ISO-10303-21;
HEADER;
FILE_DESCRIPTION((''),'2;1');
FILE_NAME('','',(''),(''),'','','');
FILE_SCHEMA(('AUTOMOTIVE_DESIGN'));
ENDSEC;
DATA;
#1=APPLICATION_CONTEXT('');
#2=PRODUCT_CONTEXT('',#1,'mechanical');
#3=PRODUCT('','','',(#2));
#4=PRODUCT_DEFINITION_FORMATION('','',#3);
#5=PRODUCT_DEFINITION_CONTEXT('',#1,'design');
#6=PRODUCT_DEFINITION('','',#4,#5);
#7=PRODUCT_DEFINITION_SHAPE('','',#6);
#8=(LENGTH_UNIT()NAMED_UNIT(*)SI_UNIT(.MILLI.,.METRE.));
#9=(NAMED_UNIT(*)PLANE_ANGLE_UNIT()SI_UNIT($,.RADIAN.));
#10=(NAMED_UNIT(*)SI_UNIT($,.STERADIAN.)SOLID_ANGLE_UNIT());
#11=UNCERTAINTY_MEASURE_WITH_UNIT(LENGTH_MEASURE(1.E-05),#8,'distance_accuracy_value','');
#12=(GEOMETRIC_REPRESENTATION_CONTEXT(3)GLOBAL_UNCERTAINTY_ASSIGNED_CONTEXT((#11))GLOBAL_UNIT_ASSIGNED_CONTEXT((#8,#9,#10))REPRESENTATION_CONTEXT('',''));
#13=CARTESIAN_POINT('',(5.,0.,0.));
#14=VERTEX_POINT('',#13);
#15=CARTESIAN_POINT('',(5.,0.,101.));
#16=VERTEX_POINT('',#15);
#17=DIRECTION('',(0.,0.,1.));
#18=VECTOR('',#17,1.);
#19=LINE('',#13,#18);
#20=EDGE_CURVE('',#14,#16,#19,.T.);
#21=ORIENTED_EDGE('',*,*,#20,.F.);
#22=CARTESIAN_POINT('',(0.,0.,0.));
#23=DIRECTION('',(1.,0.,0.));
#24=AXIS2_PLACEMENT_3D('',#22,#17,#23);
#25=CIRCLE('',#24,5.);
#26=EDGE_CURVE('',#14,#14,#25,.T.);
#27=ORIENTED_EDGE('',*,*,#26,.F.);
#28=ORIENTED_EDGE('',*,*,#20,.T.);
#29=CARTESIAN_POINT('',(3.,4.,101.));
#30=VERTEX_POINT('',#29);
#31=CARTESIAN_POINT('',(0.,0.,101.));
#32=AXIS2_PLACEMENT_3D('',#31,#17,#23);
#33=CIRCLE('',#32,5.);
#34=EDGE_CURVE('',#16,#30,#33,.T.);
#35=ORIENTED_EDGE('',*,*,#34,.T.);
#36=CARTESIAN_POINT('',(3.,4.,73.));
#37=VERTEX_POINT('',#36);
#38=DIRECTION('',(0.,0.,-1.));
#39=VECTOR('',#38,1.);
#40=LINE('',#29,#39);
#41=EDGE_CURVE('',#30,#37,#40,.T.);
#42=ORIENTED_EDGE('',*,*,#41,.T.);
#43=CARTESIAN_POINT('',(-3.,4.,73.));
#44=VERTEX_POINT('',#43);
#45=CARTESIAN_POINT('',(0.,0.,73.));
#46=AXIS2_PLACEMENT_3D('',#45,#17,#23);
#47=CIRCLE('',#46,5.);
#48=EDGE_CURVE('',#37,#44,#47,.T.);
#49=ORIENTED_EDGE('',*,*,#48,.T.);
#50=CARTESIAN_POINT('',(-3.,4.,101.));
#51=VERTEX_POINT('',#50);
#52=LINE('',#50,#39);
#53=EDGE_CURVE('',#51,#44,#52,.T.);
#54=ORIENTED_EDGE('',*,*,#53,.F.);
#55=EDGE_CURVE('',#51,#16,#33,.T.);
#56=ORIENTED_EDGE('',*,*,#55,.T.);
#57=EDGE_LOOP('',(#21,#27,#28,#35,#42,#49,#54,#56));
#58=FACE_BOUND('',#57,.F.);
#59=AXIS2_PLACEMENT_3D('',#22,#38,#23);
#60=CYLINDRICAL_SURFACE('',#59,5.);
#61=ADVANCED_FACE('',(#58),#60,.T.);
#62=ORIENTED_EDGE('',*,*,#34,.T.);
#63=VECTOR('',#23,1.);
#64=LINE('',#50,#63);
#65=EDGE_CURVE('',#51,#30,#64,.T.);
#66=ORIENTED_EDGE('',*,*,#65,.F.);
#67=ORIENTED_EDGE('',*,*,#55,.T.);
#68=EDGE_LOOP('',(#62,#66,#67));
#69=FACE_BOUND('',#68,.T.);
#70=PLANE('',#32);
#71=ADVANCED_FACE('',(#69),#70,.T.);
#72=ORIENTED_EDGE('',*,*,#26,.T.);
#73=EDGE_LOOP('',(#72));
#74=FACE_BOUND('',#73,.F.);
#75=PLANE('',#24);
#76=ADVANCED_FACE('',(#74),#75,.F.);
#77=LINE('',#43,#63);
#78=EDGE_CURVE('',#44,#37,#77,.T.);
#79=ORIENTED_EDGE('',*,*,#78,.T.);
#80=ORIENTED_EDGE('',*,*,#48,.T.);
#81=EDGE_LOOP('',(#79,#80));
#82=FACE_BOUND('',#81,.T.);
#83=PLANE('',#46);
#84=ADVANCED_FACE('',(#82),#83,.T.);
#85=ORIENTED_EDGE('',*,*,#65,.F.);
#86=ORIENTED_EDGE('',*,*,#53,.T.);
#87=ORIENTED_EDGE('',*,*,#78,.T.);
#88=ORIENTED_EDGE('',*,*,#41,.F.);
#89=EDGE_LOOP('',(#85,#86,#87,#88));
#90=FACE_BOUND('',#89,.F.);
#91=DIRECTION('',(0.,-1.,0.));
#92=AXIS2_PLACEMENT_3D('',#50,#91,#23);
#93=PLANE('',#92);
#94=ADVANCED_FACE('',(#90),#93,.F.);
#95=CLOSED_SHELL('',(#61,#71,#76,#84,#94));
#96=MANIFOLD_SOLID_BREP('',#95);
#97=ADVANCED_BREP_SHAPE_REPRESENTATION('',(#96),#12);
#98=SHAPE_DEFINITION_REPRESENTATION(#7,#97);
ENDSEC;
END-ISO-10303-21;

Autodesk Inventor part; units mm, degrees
ref_plane "YZ Plane" through (0, 0, 0) normal (1, 0, 0) x (0, 1, 0)
ref_plane "XZ Plane" through (0, 0, 0) normal (0, 1, 0) x (-1, 0, 0)
ref_plane "XY Plane" through (0, 0, 0) normal (0, 0, 1) x (1, 0, 0)
sketch "Sketch1" plane through (0, 0, 0) normal (0, 0, 1) x (1, 0, 0)
  circle A0 centre (0, 0) radius 5
  dimension "d0" = 10
extrude "Extrusion1" add sketch "Sketch1" along normal blind 101
sketch "Sketch2" plane through (0, 0, 101) normal (0, 0, 1) x (1, 0, 0)
  circle A0 centre (0, 0) radius 5
  circle A1 centre (0, 0) radius 5 projected
  line L0 (-5, 0) -> (0, 0) construction
  line L1 (-3, 4) -> (3, 4)
  dimension "d3" = 10
  dimension "d4" = 4
extrude "Extrusion2" cut sketch "Sketch2" against normal blind 28 contours L1 A0 picked at (-0.6933, 4.1823)
properties part number "Shaft" material "Stainless Steel"
